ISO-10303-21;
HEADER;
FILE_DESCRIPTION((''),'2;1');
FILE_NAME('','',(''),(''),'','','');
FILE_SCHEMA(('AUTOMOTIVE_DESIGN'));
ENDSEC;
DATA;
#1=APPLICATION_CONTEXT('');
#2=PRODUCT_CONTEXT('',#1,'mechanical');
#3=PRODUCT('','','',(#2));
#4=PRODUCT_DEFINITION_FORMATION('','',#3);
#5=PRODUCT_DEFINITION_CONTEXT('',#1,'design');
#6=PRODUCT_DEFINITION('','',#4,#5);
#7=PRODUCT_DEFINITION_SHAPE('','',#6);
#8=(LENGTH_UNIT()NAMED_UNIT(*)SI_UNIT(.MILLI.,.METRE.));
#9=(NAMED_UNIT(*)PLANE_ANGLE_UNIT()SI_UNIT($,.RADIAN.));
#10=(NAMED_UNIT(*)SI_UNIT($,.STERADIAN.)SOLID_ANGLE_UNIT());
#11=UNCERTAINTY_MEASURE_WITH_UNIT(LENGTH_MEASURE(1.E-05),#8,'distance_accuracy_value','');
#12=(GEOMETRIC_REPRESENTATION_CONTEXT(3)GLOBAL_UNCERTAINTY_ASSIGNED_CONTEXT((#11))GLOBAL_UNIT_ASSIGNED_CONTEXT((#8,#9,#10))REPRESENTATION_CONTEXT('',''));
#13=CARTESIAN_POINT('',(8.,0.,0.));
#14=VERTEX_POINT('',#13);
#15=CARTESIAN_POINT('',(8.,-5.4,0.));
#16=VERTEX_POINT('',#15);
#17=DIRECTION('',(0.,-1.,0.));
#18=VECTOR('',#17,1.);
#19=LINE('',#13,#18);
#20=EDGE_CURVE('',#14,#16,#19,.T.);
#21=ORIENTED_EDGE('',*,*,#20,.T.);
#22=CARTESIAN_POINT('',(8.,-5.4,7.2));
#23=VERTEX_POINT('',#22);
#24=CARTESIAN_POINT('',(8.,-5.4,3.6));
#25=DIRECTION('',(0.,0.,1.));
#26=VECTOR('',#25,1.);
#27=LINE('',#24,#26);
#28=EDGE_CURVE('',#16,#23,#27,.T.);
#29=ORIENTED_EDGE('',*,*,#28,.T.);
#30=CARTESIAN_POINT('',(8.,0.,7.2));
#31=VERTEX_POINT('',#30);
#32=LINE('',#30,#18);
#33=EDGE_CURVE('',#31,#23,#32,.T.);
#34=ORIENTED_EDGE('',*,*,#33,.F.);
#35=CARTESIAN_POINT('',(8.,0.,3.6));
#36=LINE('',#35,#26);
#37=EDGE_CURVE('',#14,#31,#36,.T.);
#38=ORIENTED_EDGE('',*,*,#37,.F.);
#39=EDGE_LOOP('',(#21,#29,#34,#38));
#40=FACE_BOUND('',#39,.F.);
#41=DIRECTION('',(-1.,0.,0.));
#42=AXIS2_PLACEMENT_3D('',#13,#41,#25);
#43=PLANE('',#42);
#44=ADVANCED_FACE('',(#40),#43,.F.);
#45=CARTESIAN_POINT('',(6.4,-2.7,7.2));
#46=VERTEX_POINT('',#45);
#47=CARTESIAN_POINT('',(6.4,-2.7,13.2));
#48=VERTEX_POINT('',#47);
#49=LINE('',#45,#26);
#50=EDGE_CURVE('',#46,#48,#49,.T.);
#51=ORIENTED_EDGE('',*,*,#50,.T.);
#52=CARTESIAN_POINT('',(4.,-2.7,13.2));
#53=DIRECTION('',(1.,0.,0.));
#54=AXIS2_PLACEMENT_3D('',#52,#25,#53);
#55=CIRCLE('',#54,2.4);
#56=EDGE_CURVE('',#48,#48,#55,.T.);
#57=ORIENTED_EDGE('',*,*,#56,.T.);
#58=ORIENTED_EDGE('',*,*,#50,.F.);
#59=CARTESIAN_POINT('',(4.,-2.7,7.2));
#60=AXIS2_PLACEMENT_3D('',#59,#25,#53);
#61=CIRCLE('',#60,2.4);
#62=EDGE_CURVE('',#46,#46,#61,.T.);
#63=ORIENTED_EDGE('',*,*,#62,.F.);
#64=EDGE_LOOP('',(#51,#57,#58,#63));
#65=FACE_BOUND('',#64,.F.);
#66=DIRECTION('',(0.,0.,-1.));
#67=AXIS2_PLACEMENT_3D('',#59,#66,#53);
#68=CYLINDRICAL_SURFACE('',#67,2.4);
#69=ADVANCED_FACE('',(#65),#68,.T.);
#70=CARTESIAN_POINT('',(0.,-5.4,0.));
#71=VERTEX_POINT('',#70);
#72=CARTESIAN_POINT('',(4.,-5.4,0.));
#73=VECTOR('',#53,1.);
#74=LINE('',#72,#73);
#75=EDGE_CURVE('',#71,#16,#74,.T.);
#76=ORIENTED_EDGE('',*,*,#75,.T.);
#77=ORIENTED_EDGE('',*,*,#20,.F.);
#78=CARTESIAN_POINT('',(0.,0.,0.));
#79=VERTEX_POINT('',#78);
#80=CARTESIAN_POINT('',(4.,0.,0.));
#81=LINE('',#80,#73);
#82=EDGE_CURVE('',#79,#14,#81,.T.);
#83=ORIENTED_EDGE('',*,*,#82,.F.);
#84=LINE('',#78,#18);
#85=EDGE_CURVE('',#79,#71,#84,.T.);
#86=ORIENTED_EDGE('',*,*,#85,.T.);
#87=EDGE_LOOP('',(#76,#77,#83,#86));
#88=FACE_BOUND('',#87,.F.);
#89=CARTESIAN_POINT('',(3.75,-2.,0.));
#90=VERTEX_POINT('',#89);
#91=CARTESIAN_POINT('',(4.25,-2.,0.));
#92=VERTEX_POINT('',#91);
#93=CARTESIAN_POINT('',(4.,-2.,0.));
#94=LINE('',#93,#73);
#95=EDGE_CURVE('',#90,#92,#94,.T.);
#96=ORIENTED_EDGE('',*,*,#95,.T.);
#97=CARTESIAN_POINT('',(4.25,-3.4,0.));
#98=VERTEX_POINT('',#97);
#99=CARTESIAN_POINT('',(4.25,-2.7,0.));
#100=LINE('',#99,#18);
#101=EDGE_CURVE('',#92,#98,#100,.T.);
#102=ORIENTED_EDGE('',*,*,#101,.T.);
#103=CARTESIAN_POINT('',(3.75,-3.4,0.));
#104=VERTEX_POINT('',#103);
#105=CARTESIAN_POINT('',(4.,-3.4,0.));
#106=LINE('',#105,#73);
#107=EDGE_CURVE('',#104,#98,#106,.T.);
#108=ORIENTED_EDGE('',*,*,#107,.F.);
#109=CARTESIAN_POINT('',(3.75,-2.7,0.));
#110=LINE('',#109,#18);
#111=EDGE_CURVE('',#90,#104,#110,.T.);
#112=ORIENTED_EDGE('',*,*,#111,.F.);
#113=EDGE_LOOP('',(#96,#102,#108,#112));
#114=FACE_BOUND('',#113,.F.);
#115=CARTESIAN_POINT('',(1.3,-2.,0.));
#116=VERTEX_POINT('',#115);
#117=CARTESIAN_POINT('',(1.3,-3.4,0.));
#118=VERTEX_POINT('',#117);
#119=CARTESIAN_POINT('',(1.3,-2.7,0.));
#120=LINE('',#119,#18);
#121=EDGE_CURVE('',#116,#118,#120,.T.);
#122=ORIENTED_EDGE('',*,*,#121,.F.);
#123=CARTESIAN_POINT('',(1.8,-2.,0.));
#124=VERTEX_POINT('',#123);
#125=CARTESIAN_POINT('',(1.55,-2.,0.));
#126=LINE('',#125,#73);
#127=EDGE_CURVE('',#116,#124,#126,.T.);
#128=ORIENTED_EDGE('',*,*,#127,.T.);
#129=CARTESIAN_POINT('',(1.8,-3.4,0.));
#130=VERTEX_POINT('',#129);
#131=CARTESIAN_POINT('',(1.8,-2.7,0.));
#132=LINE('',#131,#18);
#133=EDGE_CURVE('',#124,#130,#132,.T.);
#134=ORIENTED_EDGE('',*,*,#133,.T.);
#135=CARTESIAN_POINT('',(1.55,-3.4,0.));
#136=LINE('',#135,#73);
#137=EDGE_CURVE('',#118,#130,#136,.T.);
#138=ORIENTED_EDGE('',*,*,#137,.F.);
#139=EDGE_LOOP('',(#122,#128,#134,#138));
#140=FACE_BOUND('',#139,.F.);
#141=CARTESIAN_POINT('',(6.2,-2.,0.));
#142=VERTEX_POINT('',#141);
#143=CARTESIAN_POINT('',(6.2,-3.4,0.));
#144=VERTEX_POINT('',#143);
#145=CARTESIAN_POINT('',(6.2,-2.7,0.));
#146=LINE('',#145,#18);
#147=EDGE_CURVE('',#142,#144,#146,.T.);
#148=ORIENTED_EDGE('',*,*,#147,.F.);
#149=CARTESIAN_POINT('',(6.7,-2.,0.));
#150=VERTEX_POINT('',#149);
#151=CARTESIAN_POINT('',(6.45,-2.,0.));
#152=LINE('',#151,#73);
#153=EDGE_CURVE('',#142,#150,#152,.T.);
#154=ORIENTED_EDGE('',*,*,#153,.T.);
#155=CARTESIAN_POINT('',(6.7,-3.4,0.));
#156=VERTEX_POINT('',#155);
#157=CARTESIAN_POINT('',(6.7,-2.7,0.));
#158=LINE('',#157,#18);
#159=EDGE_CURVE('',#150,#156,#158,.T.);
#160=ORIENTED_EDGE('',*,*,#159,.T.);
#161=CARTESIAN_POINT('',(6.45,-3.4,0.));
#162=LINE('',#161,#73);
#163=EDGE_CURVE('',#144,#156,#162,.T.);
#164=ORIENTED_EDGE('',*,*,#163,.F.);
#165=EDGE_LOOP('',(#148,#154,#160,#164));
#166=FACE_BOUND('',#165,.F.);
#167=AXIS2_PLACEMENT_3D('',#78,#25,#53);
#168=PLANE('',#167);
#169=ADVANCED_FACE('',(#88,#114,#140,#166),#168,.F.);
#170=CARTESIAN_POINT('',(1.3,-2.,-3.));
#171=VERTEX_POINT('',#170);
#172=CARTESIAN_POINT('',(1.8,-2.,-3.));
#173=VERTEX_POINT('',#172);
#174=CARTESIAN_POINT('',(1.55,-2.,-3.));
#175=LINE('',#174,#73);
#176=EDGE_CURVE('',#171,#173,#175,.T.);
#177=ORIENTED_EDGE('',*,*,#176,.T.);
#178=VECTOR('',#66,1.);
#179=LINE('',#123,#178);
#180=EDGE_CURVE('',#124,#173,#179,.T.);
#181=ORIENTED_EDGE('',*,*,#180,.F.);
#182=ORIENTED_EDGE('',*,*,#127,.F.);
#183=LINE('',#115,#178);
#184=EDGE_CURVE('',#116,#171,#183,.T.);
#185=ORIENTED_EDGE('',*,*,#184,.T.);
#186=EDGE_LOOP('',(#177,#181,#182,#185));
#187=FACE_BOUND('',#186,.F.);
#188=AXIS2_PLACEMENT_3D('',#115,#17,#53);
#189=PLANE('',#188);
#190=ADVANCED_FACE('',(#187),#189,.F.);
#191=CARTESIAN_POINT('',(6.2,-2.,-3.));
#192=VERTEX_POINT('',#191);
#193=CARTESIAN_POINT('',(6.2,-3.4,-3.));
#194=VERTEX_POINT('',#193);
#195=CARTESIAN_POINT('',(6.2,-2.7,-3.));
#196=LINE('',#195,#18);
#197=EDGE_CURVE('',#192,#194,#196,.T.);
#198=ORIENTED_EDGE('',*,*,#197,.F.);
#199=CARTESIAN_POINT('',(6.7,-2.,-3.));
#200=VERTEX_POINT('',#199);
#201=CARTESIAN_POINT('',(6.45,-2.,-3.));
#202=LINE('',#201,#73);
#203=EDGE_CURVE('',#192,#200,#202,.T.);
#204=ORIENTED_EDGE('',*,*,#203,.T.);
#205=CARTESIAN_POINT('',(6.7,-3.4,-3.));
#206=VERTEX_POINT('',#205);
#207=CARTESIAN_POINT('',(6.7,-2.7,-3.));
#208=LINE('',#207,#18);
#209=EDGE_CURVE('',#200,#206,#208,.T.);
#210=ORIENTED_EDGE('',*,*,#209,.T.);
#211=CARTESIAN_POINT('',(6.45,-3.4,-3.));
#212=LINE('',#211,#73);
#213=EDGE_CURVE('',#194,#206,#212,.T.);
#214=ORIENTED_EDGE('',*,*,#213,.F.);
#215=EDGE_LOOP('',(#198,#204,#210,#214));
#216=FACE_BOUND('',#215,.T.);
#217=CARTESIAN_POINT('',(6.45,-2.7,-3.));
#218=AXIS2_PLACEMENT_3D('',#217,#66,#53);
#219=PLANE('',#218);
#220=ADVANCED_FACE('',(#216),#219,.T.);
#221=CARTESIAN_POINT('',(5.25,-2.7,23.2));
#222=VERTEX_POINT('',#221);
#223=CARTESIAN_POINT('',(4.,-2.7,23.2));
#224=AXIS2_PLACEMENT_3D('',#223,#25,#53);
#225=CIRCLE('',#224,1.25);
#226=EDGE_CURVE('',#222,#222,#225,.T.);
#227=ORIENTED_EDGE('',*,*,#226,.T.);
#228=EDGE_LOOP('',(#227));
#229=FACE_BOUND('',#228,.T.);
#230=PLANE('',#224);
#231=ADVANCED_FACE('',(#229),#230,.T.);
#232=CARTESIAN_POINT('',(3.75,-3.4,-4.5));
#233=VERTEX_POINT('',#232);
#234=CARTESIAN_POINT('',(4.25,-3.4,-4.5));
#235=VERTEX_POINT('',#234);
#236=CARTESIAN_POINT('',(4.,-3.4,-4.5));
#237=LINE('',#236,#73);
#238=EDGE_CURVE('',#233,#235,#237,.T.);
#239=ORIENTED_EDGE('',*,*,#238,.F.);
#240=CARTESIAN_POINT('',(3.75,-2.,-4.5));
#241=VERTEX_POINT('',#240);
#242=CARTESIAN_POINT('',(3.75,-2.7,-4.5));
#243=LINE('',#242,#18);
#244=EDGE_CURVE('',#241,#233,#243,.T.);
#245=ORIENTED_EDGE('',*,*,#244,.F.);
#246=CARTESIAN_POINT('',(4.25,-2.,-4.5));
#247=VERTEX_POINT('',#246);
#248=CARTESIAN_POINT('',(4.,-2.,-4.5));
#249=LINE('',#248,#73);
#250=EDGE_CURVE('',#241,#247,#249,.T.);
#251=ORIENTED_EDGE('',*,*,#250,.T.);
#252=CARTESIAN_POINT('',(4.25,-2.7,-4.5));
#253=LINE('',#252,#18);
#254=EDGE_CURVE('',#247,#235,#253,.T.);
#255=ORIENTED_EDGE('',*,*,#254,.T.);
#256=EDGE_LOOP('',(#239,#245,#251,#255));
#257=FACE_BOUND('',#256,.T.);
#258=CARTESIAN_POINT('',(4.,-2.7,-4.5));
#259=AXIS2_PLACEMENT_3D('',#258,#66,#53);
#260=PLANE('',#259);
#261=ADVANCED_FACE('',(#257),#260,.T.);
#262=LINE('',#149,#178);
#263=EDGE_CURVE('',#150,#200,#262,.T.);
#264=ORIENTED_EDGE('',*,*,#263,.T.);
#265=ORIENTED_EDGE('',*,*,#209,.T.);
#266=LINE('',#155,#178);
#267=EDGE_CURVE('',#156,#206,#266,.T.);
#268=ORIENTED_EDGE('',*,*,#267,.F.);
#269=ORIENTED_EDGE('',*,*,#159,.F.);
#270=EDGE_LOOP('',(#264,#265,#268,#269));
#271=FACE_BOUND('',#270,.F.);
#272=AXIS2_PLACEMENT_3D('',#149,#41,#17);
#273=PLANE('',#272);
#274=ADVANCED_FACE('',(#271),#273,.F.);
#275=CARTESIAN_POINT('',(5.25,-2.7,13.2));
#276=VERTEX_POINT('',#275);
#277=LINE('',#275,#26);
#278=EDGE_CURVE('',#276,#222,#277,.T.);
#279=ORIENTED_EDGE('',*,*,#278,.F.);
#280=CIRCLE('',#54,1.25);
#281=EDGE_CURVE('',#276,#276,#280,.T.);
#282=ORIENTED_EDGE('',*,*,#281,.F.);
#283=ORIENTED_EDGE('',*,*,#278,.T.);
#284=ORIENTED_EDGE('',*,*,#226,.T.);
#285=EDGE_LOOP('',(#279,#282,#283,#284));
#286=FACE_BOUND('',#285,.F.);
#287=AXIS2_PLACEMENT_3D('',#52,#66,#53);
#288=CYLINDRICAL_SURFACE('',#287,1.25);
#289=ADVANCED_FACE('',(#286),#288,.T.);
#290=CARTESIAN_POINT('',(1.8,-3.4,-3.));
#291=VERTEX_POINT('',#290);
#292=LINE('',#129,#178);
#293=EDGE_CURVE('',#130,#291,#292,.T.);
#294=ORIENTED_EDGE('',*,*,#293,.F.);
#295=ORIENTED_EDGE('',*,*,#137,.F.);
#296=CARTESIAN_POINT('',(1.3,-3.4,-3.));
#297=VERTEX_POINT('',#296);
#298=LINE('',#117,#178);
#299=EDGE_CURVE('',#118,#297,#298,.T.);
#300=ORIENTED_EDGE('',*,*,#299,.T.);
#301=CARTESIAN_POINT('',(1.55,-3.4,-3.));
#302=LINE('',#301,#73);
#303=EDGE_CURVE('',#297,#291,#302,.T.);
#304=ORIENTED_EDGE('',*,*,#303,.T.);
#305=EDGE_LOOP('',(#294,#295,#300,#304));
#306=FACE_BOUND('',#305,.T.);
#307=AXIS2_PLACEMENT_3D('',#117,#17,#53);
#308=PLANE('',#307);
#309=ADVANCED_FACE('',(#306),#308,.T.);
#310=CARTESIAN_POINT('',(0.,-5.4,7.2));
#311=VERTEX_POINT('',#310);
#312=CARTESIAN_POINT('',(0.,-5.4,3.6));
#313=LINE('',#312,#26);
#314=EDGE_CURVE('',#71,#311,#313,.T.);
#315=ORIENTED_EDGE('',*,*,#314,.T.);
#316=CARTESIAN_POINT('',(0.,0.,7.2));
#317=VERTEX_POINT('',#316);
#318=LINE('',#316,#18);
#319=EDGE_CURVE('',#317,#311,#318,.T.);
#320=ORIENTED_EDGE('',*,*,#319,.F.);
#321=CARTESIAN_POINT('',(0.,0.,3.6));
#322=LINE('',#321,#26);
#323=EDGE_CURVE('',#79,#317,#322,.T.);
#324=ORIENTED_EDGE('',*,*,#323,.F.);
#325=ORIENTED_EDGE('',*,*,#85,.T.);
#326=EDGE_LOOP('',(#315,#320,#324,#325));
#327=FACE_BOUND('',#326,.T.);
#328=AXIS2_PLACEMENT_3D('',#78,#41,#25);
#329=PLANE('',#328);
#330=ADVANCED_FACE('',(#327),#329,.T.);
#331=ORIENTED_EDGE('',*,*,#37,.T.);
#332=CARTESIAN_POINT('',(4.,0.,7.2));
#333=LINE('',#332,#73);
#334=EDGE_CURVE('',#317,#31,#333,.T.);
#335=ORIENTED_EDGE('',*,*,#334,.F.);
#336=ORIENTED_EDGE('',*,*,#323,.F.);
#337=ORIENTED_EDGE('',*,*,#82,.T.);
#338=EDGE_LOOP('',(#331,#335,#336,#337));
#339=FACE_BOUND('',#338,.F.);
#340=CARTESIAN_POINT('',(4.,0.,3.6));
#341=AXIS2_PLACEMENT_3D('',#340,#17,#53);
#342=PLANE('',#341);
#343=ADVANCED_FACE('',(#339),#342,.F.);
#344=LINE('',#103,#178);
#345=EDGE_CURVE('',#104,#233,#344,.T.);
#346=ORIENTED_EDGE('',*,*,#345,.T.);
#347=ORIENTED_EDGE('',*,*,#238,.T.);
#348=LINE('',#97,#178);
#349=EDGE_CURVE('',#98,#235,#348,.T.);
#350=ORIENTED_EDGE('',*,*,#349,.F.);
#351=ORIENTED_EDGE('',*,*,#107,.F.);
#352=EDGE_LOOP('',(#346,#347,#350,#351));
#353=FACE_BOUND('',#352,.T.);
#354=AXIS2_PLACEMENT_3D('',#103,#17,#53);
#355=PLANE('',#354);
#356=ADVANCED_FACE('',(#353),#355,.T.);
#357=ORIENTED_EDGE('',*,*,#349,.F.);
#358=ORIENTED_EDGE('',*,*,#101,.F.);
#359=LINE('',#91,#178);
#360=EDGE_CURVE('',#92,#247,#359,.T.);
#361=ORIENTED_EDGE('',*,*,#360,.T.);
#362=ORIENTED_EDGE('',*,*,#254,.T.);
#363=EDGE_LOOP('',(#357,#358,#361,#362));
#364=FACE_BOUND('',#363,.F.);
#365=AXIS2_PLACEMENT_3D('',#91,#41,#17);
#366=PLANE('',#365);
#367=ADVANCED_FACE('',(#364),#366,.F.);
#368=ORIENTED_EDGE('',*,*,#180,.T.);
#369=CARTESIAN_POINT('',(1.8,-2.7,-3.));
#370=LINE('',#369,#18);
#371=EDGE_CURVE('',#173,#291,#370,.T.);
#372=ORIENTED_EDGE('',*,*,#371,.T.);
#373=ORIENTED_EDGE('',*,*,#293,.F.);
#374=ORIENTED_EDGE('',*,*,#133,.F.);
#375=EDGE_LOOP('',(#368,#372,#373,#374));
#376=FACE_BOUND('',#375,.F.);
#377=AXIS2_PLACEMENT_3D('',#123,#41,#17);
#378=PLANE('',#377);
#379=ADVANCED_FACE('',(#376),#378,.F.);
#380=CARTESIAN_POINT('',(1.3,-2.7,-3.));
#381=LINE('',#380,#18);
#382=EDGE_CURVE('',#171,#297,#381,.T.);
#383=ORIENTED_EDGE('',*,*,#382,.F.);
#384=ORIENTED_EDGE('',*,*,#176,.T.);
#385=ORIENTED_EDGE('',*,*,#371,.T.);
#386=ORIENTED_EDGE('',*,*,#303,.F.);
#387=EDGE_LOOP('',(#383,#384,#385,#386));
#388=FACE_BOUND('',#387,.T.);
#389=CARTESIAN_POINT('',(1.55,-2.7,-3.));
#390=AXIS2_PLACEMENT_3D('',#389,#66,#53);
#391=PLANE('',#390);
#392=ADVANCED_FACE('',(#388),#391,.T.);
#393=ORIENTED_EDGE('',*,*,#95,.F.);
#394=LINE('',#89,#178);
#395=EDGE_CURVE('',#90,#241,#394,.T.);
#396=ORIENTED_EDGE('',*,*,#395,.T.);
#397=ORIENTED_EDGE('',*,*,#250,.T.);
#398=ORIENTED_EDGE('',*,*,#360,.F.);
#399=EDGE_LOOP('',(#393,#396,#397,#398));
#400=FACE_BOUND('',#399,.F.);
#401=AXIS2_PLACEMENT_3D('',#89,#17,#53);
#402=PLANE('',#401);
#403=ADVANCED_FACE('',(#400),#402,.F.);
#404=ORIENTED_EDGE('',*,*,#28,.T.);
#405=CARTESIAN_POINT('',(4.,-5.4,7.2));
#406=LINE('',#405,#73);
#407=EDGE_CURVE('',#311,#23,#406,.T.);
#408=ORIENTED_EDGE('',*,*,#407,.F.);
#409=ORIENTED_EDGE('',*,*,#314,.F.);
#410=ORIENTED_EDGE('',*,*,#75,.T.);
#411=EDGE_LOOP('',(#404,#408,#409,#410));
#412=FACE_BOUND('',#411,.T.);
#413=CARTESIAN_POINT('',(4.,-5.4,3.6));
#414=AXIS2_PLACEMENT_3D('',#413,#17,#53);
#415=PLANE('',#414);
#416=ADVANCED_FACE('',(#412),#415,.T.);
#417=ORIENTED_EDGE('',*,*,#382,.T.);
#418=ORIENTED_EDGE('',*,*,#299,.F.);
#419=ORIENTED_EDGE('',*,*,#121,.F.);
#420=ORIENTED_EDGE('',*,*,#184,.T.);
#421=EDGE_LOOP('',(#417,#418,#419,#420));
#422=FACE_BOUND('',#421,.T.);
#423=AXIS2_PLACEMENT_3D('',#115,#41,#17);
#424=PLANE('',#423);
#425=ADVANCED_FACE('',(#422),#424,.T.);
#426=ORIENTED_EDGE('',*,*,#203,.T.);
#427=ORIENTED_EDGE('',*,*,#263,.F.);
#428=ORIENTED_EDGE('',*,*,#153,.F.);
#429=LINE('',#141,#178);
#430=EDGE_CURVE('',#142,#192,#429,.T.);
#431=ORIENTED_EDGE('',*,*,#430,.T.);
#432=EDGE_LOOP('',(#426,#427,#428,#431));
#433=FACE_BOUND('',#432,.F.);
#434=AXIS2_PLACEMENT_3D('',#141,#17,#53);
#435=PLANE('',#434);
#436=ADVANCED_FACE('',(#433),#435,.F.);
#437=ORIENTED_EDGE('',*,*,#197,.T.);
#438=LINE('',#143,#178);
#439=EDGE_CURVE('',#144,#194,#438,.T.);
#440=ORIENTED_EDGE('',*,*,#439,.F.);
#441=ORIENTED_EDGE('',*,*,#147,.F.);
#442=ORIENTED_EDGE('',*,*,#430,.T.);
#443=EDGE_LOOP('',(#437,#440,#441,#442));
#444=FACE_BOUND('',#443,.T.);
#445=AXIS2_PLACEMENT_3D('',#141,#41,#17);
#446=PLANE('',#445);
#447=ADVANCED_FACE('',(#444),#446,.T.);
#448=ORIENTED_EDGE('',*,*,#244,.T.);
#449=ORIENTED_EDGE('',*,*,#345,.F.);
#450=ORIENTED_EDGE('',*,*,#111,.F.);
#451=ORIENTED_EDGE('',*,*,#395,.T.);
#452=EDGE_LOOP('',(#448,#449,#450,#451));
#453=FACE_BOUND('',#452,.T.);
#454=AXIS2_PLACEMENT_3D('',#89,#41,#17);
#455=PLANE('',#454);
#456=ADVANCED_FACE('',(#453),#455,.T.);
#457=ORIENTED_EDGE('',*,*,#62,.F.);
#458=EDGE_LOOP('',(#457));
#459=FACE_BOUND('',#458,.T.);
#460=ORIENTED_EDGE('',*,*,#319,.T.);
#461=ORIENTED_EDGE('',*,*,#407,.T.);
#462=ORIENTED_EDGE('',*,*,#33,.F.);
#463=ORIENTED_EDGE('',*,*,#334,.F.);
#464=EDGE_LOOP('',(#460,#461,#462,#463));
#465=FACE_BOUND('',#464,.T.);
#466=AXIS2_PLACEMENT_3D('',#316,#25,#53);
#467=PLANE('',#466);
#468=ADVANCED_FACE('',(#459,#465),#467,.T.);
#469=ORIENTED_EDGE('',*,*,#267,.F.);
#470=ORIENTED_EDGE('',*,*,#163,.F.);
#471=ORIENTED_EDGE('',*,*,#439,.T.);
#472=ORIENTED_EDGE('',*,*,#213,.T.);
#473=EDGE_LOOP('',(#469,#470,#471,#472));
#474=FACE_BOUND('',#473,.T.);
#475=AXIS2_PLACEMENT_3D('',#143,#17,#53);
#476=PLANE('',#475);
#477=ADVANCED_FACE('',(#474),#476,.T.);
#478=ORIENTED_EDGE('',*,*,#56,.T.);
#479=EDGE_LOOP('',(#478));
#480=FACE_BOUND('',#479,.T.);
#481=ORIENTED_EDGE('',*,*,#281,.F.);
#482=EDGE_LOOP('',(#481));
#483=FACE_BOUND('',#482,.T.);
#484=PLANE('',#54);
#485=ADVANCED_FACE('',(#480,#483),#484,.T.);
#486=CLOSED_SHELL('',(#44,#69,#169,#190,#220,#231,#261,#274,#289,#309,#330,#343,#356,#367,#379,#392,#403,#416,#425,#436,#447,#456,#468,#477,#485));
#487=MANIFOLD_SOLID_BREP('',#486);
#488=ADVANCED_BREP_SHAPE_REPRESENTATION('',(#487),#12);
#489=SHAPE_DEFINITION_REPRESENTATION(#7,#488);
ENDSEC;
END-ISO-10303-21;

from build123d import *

# Parameters (mm, degrees)
F0_W     = 8
F0_H     = 7.2
F1_DEPTH = 5.4
F2_R     = 2.4
F3_DEPTH = 6
F4_R     = 1.25
F5_DEPTH = 10
F6_W     = 0.5
F6_H     = 1.4
F7_DEPTH = 3
F8_W     = 0.5
F8_H     = 1.4
F9_DEPTH = 4.5


with BuildPart() as f1:
    # F0 (on Front) → F1 (new body)
    with BuildSketch(Plane.XZ):
        with Locations((4, 3.6)):
            Rectangle(F0_W, F0_H)
    extrude(amount=F1_DEPTH)

    # F2 (on face) → F3 (join)
    with BuildSketch(Plane.XY.offset(7.2)):
        with Locations((4, -2.7)):
            Circle(F2_R)
    extrude(amount=F3_DEPTH)

    # F4 (on face) → F5 (join)
    with BuildSketch(Plane.XY.offset(13.2)):
        with Locations((4, -2.7)):
            Circle(F4_R)
    extrude(amount=F5_DEPTH)

    # F6 (on face) → F7 (join)
    with BuildSketch(Plane(origin=(0, 0, 0), x_dir=(1, 0, 0), z_dir=(0, 0, -1))):
        with Locations((1.55, 2.7)):
            Rectangle(F6_W, F6_H)
        with Locations((6.45, 2.7)):
            Rectangle(F6_W, F6_H)
    extrude(amount=F7_DEPTH)

    # F8 (on face) → F9 (join)
    with BuildSketch(Plane(origin=(0, 0, 0), x_dir=(1, 0, 0), z_dir=(0, 0, -1))):
        with Locations((4, 2.7)):
            Rectangle(F8_W, F8_H)
    extrude(amount=F9_DEPTH)


solid = f1.part
